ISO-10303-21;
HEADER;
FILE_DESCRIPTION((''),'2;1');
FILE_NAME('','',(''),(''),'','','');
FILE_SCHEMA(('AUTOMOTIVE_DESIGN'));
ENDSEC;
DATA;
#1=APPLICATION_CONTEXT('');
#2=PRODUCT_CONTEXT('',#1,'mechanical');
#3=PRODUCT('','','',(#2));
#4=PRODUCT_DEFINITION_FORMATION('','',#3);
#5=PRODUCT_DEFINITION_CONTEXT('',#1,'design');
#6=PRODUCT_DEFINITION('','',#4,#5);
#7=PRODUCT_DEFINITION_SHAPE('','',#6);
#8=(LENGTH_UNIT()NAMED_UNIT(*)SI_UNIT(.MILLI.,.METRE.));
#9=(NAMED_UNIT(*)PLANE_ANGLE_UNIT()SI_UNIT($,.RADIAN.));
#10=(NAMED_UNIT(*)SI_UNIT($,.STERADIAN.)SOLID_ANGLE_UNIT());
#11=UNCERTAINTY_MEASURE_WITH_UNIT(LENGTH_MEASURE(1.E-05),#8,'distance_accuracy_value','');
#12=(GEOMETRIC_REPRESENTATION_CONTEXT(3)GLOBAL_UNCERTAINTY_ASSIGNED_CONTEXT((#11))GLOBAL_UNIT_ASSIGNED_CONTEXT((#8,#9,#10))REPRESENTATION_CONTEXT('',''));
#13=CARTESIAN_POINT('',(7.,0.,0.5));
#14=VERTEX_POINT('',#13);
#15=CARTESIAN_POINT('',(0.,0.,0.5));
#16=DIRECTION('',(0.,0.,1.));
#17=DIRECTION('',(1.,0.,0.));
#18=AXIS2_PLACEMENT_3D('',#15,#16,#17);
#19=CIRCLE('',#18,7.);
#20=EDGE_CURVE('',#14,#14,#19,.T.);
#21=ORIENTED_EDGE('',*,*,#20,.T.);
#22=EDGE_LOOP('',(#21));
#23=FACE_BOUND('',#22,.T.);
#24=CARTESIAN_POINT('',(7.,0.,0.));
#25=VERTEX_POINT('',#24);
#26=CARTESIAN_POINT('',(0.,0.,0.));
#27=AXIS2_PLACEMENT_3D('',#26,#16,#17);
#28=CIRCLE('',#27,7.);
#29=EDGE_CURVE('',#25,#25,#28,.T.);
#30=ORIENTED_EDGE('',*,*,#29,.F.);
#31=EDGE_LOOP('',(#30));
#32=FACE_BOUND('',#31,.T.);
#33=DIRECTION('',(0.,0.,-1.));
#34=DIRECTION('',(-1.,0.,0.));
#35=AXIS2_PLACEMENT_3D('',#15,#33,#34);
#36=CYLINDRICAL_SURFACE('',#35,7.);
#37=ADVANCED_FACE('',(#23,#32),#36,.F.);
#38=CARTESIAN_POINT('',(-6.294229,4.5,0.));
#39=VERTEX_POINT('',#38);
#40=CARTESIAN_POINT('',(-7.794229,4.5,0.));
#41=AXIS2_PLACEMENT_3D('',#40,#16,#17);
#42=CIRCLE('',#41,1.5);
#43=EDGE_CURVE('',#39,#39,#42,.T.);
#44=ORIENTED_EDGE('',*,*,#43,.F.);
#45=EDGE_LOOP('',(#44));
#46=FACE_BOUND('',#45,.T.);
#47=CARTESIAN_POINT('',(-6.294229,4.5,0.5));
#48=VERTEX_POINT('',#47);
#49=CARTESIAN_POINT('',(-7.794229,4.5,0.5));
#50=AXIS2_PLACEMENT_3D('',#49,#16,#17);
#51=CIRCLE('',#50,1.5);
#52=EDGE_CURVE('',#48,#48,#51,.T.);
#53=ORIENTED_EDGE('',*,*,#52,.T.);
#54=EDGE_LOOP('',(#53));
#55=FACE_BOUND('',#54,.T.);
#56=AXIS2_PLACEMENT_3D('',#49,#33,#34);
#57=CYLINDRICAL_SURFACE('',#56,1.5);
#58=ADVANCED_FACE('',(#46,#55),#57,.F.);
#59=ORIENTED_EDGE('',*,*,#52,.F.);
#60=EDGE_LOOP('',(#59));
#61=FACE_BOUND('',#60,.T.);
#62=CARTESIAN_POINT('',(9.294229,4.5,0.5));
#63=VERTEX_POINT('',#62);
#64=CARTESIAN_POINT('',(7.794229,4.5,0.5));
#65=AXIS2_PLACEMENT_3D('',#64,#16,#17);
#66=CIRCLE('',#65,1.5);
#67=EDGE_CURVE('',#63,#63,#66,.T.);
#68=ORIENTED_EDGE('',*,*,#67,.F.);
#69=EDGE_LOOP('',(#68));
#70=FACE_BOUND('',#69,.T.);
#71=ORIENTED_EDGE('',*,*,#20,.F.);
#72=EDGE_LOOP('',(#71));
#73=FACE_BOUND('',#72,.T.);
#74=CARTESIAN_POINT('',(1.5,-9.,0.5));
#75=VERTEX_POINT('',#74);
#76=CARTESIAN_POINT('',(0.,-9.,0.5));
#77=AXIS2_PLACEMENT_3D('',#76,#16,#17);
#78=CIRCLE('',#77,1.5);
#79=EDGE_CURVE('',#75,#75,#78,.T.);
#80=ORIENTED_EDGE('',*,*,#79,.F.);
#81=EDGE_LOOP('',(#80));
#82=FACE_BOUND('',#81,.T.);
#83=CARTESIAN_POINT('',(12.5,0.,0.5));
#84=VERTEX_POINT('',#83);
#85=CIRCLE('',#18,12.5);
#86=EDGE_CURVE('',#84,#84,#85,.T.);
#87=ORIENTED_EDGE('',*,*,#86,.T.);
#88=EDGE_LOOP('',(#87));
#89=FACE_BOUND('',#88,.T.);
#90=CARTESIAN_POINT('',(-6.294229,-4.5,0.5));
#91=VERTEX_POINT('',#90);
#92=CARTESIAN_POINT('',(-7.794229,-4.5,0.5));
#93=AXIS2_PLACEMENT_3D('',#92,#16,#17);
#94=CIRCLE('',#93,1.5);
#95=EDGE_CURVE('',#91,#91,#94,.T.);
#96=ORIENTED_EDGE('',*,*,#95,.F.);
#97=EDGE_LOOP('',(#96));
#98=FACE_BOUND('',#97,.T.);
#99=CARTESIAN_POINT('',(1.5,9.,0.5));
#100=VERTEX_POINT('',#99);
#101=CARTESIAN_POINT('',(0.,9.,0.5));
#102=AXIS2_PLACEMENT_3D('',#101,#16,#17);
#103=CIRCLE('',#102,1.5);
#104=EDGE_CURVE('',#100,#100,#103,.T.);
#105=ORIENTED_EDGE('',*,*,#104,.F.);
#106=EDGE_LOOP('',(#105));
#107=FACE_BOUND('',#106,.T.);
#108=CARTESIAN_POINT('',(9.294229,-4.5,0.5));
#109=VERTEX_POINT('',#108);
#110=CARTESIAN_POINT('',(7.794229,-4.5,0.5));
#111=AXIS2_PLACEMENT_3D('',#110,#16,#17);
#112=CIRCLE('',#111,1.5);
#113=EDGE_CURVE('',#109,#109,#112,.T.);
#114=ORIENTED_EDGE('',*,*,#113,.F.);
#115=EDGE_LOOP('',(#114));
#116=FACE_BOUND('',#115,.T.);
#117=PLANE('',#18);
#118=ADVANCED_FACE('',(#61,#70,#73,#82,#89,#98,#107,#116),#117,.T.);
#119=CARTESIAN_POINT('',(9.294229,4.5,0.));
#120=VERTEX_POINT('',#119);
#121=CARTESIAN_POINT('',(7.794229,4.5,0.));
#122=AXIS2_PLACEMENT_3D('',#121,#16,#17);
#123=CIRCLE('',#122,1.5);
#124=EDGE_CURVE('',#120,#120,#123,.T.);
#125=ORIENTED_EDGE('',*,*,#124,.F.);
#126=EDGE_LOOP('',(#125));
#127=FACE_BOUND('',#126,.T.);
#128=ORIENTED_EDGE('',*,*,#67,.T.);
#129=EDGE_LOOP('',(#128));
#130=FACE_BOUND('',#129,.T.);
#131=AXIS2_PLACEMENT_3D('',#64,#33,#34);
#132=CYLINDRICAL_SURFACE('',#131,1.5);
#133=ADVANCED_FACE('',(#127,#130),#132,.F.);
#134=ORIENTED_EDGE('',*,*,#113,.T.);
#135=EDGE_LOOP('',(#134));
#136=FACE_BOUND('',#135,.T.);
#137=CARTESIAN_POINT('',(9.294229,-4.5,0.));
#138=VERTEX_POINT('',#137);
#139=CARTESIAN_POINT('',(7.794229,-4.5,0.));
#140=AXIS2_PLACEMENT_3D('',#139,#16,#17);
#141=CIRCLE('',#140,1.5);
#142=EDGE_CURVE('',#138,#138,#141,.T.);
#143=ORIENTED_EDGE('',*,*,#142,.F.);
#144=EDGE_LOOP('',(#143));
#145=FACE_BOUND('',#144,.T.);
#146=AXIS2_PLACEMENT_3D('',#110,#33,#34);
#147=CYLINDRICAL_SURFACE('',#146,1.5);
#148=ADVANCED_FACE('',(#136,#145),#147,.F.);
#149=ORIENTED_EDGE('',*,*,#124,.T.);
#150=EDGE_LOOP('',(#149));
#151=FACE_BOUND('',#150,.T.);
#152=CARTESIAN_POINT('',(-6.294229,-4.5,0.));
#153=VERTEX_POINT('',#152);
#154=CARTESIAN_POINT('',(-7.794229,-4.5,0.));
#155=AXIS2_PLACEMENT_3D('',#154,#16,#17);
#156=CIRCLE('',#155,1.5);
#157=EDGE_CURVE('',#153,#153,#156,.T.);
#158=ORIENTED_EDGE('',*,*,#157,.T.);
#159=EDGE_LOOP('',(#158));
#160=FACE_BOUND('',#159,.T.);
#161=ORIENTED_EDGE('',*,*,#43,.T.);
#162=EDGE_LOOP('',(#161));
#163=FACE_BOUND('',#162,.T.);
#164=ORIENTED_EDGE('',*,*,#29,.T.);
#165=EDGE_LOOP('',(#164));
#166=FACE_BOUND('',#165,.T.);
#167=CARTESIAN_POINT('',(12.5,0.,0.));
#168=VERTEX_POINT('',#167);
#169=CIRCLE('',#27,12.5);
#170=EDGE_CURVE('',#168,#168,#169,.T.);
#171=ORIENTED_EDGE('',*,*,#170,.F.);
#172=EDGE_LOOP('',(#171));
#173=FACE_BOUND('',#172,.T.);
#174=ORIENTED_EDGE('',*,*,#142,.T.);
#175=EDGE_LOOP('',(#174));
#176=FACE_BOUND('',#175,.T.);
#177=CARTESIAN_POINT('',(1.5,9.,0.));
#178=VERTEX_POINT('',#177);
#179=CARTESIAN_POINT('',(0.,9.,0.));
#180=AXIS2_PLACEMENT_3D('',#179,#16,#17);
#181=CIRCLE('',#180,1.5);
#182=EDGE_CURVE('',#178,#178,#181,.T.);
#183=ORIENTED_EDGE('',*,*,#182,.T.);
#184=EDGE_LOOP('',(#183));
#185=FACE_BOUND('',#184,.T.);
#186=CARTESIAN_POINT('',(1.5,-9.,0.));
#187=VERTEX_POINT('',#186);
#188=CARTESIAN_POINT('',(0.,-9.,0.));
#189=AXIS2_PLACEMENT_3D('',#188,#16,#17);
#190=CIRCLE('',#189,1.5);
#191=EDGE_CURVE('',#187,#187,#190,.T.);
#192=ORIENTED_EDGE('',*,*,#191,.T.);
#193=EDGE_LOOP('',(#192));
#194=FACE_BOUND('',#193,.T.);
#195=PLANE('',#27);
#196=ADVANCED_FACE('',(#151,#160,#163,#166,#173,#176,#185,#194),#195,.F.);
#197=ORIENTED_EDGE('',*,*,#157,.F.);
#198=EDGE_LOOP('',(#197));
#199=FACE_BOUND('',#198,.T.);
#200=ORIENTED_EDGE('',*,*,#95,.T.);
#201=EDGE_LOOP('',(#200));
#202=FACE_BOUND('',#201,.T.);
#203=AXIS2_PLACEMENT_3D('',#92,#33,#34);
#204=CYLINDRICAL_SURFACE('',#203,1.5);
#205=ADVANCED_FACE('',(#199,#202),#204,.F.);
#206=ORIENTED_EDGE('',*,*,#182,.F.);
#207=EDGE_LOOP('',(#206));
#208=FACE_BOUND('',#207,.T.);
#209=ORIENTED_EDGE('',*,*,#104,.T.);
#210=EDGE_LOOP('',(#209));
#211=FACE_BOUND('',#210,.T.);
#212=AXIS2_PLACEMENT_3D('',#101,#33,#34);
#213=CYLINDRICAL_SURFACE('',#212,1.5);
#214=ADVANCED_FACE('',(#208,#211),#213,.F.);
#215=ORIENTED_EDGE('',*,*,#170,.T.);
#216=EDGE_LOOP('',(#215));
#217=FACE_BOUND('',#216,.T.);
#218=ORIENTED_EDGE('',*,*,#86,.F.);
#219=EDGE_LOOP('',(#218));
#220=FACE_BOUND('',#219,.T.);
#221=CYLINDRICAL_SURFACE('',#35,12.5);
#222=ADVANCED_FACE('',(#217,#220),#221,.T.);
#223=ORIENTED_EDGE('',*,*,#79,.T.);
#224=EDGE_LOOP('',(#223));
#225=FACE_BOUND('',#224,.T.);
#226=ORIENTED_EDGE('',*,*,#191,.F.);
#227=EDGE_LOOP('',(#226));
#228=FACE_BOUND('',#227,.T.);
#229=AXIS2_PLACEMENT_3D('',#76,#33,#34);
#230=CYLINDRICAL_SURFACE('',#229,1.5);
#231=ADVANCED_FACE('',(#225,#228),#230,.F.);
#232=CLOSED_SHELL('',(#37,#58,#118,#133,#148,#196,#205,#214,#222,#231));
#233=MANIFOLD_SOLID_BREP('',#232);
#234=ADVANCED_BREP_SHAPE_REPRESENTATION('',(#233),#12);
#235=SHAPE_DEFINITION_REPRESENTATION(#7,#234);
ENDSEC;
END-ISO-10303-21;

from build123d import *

# Parameters (mm, degrees)
SKETCH_1_R      = 12.5
SKETCH_1_R_2    = 7
SKETCH_1_R_3    = 1.5
EXTRUDE_1_DEPTH = 0.5


with BuildPart() as part:
    # Эскиз1 → Бобышка-Вытянуть1 (new body)
    with BuildSketch(Plane.XY):
        Circle(SKETCH_1_R)
        Circle(SKETCH_1_R_2, mode=Mode.SUBTRACT)
        with Locations((0, 9)):
            Circle(SKETCH_1_R_3, mode=Mode.SUBTRACT)
        with Locations((7.794228634, 4.5)):
            Circle(SKETCH_1_R_3, mode=Mode.SUBTRACT)
        with Locations((7.794228634, -4.5)):
            Circle(SKETCH_1_R_3, mode=Mode.SUBTRACT)
        with Locations((0, -9)):
            Circle(SKETCH_1_R_3, mode=Mode.SUBTRACT)
        with Locations((-7.794228634, -4.5)):
            Circle(SKETCH_1_R_3, mode=Mode.SUBTRACT)
        with Locations((-7.794228634, 4.5)):
            Circle(SKETCH_1_R_3, mode=Mode.SUBTRACT)
    extrude(amount=EXTRUDE_1_DEPTH)


solid = part.part
